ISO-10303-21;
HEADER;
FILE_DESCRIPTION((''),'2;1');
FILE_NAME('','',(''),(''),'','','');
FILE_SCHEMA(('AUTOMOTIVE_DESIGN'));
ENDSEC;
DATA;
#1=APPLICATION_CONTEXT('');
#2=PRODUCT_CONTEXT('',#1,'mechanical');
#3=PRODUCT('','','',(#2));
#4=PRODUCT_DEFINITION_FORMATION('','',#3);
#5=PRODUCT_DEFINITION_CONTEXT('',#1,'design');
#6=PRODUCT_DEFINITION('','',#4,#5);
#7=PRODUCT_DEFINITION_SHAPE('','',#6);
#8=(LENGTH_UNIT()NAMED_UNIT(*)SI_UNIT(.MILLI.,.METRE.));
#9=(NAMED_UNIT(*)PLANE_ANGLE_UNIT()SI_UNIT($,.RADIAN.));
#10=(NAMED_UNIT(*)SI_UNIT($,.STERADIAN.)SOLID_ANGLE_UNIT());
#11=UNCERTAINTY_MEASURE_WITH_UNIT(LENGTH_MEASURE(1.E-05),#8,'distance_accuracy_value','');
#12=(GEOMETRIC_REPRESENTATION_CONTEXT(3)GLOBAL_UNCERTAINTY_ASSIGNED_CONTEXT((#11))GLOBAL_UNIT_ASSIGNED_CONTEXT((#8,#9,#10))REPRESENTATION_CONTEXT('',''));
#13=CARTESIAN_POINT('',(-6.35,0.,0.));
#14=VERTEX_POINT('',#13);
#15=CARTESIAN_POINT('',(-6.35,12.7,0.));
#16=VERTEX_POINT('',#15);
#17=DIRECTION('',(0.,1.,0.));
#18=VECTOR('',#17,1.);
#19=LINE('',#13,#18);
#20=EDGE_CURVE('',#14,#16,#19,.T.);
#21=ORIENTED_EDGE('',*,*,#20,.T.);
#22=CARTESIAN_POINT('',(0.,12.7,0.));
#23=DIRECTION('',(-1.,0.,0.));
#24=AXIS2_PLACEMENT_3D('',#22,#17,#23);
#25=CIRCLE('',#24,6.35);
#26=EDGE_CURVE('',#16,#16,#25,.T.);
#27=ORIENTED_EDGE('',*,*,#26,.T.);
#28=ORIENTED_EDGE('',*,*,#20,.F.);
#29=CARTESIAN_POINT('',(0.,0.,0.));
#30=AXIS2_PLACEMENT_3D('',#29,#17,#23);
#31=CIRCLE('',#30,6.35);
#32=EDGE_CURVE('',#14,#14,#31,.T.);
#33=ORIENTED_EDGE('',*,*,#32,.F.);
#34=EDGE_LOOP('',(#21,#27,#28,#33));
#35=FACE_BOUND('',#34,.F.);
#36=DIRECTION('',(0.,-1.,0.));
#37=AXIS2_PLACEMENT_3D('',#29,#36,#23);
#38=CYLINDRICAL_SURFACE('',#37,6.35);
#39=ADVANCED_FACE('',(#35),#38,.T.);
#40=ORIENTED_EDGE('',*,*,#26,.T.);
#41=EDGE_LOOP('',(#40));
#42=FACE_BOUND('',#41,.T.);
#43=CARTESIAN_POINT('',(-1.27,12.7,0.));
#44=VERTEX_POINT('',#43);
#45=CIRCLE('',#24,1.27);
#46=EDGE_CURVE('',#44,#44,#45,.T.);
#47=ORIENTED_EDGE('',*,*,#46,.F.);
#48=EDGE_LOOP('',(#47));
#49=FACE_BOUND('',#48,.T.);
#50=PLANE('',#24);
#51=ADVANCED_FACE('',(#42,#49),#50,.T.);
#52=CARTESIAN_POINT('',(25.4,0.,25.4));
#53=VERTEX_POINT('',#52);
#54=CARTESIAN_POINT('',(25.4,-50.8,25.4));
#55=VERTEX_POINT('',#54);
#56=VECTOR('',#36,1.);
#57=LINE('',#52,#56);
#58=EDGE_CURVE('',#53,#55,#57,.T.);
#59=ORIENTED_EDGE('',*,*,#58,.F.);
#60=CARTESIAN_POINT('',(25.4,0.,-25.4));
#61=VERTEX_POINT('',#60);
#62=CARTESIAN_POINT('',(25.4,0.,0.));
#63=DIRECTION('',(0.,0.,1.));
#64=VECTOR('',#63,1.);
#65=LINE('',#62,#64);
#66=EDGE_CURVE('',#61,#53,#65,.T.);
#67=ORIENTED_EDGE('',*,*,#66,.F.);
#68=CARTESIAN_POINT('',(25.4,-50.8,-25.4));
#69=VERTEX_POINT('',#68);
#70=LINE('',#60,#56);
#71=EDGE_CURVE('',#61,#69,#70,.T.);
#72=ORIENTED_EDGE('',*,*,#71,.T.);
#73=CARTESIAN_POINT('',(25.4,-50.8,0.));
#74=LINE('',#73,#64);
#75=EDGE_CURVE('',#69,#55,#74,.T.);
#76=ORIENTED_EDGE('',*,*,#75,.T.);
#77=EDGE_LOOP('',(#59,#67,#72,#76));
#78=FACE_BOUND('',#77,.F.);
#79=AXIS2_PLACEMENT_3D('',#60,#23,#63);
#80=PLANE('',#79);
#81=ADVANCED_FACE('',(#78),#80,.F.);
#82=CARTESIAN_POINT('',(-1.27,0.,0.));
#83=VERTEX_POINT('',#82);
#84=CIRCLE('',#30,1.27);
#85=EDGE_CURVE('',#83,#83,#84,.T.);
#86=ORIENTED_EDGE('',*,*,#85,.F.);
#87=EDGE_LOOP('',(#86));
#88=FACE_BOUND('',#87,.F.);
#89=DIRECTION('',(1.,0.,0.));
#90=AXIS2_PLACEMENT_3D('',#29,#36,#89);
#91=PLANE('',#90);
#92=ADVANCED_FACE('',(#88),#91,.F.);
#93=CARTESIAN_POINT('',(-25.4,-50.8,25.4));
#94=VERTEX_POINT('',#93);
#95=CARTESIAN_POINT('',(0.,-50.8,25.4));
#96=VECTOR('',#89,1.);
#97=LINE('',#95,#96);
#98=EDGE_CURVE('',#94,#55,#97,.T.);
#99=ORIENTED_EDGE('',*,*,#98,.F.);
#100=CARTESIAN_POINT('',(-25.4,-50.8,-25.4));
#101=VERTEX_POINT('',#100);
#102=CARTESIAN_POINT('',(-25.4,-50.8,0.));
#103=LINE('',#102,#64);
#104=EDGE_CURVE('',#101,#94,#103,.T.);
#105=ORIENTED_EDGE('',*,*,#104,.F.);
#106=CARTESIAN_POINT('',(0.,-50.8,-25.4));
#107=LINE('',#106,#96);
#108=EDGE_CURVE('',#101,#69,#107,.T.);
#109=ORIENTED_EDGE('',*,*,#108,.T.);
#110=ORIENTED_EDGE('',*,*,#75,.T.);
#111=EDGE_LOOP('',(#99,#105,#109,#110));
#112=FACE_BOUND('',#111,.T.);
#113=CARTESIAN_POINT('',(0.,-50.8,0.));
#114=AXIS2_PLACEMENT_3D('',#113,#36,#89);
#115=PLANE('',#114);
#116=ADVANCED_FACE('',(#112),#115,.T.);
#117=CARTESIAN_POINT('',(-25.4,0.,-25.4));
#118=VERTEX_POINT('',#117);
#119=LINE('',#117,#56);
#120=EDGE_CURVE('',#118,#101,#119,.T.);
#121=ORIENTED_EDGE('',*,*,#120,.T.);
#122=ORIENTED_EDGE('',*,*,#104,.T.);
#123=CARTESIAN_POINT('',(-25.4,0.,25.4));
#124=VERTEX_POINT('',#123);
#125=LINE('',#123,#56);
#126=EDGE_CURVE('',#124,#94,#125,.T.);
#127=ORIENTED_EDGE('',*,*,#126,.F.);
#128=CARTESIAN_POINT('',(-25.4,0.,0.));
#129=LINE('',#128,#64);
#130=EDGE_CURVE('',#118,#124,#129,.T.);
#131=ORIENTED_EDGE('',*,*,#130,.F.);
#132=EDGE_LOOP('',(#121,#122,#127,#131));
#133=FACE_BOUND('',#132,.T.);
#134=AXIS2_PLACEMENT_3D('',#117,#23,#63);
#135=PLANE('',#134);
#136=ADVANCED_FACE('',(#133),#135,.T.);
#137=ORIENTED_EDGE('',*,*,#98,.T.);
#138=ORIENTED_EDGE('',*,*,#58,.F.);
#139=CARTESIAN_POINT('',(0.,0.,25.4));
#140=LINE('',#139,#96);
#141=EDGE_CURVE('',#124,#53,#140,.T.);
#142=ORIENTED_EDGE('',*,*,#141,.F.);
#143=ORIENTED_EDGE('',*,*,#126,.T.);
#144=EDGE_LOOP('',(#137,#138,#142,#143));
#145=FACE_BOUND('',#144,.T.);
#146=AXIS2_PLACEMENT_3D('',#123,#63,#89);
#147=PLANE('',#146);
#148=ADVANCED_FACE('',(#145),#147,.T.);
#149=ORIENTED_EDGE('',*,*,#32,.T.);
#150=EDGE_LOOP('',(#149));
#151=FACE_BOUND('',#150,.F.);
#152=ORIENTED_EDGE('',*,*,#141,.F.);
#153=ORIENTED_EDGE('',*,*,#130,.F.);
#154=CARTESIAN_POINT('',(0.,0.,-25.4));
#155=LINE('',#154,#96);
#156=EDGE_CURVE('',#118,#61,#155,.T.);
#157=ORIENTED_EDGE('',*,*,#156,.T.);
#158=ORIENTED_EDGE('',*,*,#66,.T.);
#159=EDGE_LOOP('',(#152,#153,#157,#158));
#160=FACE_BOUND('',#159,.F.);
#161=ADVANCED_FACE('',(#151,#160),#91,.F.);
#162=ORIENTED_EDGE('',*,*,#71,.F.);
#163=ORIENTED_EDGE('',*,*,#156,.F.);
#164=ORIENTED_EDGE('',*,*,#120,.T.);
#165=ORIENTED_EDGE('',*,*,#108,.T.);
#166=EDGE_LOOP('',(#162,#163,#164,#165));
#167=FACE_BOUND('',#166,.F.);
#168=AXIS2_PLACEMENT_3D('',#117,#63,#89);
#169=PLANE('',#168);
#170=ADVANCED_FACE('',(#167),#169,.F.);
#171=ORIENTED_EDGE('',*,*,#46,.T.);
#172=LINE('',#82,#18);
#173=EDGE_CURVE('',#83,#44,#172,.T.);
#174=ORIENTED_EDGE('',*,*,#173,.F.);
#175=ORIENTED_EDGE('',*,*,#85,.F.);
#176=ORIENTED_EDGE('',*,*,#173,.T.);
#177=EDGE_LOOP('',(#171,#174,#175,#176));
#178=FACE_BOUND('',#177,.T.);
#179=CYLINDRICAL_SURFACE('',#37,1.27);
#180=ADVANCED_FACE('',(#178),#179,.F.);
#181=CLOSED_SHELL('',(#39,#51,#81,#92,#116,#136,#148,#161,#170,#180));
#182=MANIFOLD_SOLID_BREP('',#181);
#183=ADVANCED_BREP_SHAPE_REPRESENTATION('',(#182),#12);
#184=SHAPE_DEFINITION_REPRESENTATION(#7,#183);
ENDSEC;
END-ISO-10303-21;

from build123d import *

# Parameters (mm, degrees)
F0_W     = 50.8
F0_H     = 50.8
F1_DEPTH = 50.8
F2_R     = 6.35
F2_R_2   = 1.27
F3_DEPTH = 12.7


with BuildPart() as f1:
    # F0 (on Front) → F1 (new body)
    with BuildSketch(Plane.XZ):
        Rectangle(F0_W, F0_H)
    extrude(amount=F1_DEPTH)

    # F2 (on face) → F3 (join)
    with BuildSketch(Plane(origin=(0, 0, 0), x_dir=(-1, 0, 0), z_dir=(0, 1, 0))):
        Circle(F2_R)
        Circle(F2_R_2, mode=Mode.SUBTRACT)
    extrude(amount=F3_DEPTH)


solid = f1.part
